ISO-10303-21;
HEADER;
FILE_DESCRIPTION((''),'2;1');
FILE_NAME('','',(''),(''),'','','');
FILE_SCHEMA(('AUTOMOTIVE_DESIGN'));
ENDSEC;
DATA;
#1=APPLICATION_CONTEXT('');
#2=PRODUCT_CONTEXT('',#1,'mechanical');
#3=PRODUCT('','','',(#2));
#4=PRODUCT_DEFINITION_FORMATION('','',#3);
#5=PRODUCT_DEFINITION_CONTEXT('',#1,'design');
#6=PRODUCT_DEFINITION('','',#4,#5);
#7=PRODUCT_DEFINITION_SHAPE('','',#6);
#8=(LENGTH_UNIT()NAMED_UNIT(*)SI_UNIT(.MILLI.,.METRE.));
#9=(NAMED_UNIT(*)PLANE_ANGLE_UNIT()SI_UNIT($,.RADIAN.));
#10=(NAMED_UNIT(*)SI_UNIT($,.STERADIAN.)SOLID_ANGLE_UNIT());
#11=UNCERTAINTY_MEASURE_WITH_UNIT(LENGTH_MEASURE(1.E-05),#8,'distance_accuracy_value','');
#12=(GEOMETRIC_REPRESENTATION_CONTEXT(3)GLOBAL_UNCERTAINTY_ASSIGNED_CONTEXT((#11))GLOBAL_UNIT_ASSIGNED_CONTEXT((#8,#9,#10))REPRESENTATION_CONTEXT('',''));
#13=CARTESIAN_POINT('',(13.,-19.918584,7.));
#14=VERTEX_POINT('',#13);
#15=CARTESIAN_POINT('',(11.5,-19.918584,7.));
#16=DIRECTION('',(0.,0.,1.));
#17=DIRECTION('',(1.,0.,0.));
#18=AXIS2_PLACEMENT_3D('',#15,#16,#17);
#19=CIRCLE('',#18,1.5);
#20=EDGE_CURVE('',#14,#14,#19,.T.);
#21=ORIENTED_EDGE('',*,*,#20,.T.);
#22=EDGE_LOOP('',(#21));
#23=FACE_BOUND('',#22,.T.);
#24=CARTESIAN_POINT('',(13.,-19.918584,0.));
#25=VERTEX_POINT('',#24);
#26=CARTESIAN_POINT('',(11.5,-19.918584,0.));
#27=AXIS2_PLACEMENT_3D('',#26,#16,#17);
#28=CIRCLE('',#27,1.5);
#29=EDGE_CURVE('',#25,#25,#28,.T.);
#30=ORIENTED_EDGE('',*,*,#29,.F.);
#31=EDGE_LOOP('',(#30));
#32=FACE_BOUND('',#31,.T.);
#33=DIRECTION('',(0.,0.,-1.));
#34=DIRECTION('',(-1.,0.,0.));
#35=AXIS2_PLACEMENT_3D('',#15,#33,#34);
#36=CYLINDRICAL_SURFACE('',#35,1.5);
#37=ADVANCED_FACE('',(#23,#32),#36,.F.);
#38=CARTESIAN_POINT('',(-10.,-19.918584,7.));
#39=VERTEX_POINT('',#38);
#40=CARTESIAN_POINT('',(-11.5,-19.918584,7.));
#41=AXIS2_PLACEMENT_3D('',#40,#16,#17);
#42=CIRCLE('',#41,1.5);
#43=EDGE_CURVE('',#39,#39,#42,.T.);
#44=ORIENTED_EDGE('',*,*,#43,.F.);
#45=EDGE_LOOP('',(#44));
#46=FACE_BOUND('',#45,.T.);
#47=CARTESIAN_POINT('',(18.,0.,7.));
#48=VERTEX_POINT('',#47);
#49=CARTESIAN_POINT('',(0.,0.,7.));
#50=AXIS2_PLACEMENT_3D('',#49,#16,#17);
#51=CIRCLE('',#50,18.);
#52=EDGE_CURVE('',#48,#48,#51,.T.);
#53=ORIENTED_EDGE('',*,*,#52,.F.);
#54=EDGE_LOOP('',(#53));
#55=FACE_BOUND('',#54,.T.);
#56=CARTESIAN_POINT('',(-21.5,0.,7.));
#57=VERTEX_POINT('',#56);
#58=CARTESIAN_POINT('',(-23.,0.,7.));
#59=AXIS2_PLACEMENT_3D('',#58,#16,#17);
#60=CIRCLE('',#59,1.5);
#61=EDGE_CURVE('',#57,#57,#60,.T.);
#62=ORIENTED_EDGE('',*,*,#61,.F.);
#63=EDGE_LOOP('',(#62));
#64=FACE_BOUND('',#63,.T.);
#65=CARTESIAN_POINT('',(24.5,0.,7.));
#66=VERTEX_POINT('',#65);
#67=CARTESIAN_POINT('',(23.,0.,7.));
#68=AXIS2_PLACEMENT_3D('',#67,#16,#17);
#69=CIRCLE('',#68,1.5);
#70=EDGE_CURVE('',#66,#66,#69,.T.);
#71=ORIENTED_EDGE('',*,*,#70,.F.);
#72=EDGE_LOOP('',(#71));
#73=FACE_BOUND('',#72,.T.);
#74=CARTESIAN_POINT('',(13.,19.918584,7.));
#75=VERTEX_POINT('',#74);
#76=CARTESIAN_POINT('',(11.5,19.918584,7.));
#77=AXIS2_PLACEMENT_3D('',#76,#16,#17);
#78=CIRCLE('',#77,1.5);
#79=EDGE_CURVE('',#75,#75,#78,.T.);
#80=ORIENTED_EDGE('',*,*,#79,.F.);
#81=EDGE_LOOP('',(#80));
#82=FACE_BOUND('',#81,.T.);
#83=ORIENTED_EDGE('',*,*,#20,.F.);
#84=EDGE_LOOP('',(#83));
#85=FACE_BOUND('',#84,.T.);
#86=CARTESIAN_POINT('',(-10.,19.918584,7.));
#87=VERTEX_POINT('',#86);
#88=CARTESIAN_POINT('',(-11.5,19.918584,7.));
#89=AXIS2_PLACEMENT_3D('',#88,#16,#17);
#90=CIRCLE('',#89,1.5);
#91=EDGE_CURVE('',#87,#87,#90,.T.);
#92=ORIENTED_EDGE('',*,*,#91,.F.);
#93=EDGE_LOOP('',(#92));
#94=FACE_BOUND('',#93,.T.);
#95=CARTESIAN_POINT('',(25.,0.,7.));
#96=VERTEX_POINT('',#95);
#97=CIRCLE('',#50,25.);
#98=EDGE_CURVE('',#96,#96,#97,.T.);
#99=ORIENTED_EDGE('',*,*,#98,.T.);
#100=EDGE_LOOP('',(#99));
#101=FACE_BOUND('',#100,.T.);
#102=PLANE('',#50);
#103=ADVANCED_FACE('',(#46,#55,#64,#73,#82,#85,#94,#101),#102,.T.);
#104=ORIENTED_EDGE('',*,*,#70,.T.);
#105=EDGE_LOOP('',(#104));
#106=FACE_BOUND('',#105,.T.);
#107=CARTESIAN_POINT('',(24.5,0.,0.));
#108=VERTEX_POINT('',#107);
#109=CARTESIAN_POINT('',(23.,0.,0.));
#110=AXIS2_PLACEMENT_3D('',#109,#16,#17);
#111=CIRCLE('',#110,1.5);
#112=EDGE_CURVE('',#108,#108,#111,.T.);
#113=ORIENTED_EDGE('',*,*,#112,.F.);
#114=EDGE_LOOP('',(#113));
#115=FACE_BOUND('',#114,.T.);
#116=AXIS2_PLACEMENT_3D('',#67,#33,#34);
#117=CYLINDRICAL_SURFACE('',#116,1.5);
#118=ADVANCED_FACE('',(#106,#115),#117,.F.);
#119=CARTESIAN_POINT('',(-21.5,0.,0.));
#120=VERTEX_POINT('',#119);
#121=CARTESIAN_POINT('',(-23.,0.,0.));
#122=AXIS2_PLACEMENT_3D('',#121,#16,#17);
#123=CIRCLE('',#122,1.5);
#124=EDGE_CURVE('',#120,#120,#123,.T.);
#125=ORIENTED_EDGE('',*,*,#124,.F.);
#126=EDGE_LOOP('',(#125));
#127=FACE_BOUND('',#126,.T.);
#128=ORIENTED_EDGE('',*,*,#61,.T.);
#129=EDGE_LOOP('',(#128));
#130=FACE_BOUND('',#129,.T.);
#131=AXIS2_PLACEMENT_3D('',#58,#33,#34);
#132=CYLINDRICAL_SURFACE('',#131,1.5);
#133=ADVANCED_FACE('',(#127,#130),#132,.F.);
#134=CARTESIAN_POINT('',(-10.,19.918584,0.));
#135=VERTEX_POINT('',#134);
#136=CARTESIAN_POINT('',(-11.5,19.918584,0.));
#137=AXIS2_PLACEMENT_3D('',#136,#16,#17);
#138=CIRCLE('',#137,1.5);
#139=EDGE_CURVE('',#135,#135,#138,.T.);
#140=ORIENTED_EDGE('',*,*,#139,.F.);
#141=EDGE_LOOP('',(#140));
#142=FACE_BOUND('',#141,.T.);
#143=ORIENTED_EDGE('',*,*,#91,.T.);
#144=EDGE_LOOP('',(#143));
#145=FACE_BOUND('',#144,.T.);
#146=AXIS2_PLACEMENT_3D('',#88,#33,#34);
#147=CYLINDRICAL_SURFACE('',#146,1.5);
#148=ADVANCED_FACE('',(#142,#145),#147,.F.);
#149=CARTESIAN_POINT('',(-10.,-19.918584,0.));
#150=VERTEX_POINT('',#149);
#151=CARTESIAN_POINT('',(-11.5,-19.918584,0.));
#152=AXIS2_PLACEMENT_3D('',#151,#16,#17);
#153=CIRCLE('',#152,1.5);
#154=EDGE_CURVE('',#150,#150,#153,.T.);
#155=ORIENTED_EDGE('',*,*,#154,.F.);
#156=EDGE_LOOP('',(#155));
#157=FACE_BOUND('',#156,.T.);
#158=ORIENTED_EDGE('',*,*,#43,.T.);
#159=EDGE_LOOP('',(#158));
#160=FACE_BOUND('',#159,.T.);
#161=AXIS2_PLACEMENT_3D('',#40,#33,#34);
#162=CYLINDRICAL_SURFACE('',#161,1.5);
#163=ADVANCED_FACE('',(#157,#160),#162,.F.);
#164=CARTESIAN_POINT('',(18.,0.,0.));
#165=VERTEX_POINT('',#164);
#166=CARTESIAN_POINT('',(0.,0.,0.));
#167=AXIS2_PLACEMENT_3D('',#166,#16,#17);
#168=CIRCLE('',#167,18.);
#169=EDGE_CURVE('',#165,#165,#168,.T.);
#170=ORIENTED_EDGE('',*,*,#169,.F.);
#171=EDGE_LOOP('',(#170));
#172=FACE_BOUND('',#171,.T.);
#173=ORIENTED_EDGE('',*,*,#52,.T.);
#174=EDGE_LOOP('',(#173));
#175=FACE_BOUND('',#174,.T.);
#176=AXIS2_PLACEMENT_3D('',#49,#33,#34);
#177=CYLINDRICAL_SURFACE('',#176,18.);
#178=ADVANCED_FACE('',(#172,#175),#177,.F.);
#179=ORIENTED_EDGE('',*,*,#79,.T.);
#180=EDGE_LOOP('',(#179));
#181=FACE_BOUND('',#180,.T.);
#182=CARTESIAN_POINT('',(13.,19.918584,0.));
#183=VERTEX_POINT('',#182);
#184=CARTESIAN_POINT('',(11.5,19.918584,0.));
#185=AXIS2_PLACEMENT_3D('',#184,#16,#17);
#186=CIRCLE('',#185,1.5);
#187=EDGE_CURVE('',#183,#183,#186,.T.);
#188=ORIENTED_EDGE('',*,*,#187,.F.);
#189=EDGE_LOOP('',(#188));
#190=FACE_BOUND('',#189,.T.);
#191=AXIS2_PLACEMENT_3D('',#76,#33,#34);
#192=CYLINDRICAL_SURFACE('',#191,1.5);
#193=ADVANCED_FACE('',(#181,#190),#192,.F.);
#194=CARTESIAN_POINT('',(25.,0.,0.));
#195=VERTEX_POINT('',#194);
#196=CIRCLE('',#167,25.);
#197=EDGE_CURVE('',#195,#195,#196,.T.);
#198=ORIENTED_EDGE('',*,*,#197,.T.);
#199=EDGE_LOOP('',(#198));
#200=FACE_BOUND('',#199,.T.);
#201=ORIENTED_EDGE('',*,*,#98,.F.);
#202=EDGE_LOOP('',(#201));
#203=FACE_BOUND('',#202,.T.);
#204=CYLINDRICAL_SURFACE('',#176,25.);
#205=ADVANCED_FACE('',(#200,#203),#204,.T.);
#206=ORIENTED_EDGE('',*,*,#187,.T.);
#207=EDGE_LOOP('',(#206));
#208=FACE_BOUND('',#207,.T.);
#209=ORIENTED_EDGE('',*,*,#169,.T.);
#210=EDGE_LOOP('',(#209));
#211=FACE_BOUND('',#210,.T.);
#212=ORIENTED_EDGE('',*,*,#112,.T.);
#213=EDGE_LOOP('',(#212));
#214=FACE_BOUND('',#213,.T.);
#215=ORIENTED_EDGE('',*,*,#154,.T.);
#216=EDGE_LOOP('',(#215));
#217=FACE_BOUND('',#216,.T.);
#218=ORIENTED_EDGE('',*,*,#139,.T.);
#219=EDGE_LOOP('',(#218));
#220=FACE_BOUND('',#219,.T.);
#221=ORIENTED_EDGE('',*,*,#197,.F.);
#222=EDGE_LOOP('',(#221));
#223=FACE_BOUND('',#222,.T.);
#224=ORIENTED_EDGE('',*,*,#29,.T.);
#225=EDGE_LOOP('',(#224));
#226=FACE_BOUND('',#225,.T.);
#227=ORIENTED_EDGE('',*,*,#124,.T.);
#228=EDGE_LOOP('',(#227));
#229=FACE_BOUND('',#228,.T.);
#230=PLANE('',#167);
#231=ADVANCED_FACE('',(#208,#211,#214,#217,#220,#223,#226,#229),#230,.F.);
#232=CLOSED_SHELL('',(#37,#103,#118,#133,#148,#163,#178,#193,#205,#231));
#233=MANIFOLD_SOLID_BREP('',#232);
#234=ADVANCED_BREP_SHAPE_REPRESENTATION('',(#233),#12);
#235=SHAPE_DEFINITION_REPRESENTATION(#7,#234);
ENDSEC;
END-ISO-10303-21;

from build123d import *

# Parameters (mm, degrees)
SKETCH1_R           = 25
SKETCH1_R_2         = 18
SKETCH1_R_3         = 1.5
BOSS_EXTRUDE1_DEPTH = 7


with BuildPart() as part:
    # Sketch1 → Boss-Extrude1 (new body)
    with BuildSketch(Plane.XY):
        Circle(SKETCH1_R)
        Circle(SKETCH1_R_2, mode=Mode.SUBTRACT)
        with Locations((-11.5, 19.918584287)):
            Circle(SKETCH1_R_3, mode=Mode.SUBTRACT)
        with Locations((-23, 0)):
            Circle(SKETCH1_R_3, mode=Mode.SUBTRACT)
        with Locations((-11.5, -19.918584287)):
            Circle(SKETCH1_R_3, mode=Mode.SUBTRACT)
        with Locations((11.5, -19.918584287)):
            Circle(SKETCH1_R_3, mode=Mode.SUBTRACT)
        with Locations((23, 0)):
            Circle(SKETCH1_R_3, mode=Mode.SUBTRACT)
        with Locations((11.5, 19.918584287)):
            Circle(SKETCH1_R_3, mode=Mode.SUBTRACT)
    extrude(amount=BOSS_EXTRUDE1_DEPTH)


solid = part.part
